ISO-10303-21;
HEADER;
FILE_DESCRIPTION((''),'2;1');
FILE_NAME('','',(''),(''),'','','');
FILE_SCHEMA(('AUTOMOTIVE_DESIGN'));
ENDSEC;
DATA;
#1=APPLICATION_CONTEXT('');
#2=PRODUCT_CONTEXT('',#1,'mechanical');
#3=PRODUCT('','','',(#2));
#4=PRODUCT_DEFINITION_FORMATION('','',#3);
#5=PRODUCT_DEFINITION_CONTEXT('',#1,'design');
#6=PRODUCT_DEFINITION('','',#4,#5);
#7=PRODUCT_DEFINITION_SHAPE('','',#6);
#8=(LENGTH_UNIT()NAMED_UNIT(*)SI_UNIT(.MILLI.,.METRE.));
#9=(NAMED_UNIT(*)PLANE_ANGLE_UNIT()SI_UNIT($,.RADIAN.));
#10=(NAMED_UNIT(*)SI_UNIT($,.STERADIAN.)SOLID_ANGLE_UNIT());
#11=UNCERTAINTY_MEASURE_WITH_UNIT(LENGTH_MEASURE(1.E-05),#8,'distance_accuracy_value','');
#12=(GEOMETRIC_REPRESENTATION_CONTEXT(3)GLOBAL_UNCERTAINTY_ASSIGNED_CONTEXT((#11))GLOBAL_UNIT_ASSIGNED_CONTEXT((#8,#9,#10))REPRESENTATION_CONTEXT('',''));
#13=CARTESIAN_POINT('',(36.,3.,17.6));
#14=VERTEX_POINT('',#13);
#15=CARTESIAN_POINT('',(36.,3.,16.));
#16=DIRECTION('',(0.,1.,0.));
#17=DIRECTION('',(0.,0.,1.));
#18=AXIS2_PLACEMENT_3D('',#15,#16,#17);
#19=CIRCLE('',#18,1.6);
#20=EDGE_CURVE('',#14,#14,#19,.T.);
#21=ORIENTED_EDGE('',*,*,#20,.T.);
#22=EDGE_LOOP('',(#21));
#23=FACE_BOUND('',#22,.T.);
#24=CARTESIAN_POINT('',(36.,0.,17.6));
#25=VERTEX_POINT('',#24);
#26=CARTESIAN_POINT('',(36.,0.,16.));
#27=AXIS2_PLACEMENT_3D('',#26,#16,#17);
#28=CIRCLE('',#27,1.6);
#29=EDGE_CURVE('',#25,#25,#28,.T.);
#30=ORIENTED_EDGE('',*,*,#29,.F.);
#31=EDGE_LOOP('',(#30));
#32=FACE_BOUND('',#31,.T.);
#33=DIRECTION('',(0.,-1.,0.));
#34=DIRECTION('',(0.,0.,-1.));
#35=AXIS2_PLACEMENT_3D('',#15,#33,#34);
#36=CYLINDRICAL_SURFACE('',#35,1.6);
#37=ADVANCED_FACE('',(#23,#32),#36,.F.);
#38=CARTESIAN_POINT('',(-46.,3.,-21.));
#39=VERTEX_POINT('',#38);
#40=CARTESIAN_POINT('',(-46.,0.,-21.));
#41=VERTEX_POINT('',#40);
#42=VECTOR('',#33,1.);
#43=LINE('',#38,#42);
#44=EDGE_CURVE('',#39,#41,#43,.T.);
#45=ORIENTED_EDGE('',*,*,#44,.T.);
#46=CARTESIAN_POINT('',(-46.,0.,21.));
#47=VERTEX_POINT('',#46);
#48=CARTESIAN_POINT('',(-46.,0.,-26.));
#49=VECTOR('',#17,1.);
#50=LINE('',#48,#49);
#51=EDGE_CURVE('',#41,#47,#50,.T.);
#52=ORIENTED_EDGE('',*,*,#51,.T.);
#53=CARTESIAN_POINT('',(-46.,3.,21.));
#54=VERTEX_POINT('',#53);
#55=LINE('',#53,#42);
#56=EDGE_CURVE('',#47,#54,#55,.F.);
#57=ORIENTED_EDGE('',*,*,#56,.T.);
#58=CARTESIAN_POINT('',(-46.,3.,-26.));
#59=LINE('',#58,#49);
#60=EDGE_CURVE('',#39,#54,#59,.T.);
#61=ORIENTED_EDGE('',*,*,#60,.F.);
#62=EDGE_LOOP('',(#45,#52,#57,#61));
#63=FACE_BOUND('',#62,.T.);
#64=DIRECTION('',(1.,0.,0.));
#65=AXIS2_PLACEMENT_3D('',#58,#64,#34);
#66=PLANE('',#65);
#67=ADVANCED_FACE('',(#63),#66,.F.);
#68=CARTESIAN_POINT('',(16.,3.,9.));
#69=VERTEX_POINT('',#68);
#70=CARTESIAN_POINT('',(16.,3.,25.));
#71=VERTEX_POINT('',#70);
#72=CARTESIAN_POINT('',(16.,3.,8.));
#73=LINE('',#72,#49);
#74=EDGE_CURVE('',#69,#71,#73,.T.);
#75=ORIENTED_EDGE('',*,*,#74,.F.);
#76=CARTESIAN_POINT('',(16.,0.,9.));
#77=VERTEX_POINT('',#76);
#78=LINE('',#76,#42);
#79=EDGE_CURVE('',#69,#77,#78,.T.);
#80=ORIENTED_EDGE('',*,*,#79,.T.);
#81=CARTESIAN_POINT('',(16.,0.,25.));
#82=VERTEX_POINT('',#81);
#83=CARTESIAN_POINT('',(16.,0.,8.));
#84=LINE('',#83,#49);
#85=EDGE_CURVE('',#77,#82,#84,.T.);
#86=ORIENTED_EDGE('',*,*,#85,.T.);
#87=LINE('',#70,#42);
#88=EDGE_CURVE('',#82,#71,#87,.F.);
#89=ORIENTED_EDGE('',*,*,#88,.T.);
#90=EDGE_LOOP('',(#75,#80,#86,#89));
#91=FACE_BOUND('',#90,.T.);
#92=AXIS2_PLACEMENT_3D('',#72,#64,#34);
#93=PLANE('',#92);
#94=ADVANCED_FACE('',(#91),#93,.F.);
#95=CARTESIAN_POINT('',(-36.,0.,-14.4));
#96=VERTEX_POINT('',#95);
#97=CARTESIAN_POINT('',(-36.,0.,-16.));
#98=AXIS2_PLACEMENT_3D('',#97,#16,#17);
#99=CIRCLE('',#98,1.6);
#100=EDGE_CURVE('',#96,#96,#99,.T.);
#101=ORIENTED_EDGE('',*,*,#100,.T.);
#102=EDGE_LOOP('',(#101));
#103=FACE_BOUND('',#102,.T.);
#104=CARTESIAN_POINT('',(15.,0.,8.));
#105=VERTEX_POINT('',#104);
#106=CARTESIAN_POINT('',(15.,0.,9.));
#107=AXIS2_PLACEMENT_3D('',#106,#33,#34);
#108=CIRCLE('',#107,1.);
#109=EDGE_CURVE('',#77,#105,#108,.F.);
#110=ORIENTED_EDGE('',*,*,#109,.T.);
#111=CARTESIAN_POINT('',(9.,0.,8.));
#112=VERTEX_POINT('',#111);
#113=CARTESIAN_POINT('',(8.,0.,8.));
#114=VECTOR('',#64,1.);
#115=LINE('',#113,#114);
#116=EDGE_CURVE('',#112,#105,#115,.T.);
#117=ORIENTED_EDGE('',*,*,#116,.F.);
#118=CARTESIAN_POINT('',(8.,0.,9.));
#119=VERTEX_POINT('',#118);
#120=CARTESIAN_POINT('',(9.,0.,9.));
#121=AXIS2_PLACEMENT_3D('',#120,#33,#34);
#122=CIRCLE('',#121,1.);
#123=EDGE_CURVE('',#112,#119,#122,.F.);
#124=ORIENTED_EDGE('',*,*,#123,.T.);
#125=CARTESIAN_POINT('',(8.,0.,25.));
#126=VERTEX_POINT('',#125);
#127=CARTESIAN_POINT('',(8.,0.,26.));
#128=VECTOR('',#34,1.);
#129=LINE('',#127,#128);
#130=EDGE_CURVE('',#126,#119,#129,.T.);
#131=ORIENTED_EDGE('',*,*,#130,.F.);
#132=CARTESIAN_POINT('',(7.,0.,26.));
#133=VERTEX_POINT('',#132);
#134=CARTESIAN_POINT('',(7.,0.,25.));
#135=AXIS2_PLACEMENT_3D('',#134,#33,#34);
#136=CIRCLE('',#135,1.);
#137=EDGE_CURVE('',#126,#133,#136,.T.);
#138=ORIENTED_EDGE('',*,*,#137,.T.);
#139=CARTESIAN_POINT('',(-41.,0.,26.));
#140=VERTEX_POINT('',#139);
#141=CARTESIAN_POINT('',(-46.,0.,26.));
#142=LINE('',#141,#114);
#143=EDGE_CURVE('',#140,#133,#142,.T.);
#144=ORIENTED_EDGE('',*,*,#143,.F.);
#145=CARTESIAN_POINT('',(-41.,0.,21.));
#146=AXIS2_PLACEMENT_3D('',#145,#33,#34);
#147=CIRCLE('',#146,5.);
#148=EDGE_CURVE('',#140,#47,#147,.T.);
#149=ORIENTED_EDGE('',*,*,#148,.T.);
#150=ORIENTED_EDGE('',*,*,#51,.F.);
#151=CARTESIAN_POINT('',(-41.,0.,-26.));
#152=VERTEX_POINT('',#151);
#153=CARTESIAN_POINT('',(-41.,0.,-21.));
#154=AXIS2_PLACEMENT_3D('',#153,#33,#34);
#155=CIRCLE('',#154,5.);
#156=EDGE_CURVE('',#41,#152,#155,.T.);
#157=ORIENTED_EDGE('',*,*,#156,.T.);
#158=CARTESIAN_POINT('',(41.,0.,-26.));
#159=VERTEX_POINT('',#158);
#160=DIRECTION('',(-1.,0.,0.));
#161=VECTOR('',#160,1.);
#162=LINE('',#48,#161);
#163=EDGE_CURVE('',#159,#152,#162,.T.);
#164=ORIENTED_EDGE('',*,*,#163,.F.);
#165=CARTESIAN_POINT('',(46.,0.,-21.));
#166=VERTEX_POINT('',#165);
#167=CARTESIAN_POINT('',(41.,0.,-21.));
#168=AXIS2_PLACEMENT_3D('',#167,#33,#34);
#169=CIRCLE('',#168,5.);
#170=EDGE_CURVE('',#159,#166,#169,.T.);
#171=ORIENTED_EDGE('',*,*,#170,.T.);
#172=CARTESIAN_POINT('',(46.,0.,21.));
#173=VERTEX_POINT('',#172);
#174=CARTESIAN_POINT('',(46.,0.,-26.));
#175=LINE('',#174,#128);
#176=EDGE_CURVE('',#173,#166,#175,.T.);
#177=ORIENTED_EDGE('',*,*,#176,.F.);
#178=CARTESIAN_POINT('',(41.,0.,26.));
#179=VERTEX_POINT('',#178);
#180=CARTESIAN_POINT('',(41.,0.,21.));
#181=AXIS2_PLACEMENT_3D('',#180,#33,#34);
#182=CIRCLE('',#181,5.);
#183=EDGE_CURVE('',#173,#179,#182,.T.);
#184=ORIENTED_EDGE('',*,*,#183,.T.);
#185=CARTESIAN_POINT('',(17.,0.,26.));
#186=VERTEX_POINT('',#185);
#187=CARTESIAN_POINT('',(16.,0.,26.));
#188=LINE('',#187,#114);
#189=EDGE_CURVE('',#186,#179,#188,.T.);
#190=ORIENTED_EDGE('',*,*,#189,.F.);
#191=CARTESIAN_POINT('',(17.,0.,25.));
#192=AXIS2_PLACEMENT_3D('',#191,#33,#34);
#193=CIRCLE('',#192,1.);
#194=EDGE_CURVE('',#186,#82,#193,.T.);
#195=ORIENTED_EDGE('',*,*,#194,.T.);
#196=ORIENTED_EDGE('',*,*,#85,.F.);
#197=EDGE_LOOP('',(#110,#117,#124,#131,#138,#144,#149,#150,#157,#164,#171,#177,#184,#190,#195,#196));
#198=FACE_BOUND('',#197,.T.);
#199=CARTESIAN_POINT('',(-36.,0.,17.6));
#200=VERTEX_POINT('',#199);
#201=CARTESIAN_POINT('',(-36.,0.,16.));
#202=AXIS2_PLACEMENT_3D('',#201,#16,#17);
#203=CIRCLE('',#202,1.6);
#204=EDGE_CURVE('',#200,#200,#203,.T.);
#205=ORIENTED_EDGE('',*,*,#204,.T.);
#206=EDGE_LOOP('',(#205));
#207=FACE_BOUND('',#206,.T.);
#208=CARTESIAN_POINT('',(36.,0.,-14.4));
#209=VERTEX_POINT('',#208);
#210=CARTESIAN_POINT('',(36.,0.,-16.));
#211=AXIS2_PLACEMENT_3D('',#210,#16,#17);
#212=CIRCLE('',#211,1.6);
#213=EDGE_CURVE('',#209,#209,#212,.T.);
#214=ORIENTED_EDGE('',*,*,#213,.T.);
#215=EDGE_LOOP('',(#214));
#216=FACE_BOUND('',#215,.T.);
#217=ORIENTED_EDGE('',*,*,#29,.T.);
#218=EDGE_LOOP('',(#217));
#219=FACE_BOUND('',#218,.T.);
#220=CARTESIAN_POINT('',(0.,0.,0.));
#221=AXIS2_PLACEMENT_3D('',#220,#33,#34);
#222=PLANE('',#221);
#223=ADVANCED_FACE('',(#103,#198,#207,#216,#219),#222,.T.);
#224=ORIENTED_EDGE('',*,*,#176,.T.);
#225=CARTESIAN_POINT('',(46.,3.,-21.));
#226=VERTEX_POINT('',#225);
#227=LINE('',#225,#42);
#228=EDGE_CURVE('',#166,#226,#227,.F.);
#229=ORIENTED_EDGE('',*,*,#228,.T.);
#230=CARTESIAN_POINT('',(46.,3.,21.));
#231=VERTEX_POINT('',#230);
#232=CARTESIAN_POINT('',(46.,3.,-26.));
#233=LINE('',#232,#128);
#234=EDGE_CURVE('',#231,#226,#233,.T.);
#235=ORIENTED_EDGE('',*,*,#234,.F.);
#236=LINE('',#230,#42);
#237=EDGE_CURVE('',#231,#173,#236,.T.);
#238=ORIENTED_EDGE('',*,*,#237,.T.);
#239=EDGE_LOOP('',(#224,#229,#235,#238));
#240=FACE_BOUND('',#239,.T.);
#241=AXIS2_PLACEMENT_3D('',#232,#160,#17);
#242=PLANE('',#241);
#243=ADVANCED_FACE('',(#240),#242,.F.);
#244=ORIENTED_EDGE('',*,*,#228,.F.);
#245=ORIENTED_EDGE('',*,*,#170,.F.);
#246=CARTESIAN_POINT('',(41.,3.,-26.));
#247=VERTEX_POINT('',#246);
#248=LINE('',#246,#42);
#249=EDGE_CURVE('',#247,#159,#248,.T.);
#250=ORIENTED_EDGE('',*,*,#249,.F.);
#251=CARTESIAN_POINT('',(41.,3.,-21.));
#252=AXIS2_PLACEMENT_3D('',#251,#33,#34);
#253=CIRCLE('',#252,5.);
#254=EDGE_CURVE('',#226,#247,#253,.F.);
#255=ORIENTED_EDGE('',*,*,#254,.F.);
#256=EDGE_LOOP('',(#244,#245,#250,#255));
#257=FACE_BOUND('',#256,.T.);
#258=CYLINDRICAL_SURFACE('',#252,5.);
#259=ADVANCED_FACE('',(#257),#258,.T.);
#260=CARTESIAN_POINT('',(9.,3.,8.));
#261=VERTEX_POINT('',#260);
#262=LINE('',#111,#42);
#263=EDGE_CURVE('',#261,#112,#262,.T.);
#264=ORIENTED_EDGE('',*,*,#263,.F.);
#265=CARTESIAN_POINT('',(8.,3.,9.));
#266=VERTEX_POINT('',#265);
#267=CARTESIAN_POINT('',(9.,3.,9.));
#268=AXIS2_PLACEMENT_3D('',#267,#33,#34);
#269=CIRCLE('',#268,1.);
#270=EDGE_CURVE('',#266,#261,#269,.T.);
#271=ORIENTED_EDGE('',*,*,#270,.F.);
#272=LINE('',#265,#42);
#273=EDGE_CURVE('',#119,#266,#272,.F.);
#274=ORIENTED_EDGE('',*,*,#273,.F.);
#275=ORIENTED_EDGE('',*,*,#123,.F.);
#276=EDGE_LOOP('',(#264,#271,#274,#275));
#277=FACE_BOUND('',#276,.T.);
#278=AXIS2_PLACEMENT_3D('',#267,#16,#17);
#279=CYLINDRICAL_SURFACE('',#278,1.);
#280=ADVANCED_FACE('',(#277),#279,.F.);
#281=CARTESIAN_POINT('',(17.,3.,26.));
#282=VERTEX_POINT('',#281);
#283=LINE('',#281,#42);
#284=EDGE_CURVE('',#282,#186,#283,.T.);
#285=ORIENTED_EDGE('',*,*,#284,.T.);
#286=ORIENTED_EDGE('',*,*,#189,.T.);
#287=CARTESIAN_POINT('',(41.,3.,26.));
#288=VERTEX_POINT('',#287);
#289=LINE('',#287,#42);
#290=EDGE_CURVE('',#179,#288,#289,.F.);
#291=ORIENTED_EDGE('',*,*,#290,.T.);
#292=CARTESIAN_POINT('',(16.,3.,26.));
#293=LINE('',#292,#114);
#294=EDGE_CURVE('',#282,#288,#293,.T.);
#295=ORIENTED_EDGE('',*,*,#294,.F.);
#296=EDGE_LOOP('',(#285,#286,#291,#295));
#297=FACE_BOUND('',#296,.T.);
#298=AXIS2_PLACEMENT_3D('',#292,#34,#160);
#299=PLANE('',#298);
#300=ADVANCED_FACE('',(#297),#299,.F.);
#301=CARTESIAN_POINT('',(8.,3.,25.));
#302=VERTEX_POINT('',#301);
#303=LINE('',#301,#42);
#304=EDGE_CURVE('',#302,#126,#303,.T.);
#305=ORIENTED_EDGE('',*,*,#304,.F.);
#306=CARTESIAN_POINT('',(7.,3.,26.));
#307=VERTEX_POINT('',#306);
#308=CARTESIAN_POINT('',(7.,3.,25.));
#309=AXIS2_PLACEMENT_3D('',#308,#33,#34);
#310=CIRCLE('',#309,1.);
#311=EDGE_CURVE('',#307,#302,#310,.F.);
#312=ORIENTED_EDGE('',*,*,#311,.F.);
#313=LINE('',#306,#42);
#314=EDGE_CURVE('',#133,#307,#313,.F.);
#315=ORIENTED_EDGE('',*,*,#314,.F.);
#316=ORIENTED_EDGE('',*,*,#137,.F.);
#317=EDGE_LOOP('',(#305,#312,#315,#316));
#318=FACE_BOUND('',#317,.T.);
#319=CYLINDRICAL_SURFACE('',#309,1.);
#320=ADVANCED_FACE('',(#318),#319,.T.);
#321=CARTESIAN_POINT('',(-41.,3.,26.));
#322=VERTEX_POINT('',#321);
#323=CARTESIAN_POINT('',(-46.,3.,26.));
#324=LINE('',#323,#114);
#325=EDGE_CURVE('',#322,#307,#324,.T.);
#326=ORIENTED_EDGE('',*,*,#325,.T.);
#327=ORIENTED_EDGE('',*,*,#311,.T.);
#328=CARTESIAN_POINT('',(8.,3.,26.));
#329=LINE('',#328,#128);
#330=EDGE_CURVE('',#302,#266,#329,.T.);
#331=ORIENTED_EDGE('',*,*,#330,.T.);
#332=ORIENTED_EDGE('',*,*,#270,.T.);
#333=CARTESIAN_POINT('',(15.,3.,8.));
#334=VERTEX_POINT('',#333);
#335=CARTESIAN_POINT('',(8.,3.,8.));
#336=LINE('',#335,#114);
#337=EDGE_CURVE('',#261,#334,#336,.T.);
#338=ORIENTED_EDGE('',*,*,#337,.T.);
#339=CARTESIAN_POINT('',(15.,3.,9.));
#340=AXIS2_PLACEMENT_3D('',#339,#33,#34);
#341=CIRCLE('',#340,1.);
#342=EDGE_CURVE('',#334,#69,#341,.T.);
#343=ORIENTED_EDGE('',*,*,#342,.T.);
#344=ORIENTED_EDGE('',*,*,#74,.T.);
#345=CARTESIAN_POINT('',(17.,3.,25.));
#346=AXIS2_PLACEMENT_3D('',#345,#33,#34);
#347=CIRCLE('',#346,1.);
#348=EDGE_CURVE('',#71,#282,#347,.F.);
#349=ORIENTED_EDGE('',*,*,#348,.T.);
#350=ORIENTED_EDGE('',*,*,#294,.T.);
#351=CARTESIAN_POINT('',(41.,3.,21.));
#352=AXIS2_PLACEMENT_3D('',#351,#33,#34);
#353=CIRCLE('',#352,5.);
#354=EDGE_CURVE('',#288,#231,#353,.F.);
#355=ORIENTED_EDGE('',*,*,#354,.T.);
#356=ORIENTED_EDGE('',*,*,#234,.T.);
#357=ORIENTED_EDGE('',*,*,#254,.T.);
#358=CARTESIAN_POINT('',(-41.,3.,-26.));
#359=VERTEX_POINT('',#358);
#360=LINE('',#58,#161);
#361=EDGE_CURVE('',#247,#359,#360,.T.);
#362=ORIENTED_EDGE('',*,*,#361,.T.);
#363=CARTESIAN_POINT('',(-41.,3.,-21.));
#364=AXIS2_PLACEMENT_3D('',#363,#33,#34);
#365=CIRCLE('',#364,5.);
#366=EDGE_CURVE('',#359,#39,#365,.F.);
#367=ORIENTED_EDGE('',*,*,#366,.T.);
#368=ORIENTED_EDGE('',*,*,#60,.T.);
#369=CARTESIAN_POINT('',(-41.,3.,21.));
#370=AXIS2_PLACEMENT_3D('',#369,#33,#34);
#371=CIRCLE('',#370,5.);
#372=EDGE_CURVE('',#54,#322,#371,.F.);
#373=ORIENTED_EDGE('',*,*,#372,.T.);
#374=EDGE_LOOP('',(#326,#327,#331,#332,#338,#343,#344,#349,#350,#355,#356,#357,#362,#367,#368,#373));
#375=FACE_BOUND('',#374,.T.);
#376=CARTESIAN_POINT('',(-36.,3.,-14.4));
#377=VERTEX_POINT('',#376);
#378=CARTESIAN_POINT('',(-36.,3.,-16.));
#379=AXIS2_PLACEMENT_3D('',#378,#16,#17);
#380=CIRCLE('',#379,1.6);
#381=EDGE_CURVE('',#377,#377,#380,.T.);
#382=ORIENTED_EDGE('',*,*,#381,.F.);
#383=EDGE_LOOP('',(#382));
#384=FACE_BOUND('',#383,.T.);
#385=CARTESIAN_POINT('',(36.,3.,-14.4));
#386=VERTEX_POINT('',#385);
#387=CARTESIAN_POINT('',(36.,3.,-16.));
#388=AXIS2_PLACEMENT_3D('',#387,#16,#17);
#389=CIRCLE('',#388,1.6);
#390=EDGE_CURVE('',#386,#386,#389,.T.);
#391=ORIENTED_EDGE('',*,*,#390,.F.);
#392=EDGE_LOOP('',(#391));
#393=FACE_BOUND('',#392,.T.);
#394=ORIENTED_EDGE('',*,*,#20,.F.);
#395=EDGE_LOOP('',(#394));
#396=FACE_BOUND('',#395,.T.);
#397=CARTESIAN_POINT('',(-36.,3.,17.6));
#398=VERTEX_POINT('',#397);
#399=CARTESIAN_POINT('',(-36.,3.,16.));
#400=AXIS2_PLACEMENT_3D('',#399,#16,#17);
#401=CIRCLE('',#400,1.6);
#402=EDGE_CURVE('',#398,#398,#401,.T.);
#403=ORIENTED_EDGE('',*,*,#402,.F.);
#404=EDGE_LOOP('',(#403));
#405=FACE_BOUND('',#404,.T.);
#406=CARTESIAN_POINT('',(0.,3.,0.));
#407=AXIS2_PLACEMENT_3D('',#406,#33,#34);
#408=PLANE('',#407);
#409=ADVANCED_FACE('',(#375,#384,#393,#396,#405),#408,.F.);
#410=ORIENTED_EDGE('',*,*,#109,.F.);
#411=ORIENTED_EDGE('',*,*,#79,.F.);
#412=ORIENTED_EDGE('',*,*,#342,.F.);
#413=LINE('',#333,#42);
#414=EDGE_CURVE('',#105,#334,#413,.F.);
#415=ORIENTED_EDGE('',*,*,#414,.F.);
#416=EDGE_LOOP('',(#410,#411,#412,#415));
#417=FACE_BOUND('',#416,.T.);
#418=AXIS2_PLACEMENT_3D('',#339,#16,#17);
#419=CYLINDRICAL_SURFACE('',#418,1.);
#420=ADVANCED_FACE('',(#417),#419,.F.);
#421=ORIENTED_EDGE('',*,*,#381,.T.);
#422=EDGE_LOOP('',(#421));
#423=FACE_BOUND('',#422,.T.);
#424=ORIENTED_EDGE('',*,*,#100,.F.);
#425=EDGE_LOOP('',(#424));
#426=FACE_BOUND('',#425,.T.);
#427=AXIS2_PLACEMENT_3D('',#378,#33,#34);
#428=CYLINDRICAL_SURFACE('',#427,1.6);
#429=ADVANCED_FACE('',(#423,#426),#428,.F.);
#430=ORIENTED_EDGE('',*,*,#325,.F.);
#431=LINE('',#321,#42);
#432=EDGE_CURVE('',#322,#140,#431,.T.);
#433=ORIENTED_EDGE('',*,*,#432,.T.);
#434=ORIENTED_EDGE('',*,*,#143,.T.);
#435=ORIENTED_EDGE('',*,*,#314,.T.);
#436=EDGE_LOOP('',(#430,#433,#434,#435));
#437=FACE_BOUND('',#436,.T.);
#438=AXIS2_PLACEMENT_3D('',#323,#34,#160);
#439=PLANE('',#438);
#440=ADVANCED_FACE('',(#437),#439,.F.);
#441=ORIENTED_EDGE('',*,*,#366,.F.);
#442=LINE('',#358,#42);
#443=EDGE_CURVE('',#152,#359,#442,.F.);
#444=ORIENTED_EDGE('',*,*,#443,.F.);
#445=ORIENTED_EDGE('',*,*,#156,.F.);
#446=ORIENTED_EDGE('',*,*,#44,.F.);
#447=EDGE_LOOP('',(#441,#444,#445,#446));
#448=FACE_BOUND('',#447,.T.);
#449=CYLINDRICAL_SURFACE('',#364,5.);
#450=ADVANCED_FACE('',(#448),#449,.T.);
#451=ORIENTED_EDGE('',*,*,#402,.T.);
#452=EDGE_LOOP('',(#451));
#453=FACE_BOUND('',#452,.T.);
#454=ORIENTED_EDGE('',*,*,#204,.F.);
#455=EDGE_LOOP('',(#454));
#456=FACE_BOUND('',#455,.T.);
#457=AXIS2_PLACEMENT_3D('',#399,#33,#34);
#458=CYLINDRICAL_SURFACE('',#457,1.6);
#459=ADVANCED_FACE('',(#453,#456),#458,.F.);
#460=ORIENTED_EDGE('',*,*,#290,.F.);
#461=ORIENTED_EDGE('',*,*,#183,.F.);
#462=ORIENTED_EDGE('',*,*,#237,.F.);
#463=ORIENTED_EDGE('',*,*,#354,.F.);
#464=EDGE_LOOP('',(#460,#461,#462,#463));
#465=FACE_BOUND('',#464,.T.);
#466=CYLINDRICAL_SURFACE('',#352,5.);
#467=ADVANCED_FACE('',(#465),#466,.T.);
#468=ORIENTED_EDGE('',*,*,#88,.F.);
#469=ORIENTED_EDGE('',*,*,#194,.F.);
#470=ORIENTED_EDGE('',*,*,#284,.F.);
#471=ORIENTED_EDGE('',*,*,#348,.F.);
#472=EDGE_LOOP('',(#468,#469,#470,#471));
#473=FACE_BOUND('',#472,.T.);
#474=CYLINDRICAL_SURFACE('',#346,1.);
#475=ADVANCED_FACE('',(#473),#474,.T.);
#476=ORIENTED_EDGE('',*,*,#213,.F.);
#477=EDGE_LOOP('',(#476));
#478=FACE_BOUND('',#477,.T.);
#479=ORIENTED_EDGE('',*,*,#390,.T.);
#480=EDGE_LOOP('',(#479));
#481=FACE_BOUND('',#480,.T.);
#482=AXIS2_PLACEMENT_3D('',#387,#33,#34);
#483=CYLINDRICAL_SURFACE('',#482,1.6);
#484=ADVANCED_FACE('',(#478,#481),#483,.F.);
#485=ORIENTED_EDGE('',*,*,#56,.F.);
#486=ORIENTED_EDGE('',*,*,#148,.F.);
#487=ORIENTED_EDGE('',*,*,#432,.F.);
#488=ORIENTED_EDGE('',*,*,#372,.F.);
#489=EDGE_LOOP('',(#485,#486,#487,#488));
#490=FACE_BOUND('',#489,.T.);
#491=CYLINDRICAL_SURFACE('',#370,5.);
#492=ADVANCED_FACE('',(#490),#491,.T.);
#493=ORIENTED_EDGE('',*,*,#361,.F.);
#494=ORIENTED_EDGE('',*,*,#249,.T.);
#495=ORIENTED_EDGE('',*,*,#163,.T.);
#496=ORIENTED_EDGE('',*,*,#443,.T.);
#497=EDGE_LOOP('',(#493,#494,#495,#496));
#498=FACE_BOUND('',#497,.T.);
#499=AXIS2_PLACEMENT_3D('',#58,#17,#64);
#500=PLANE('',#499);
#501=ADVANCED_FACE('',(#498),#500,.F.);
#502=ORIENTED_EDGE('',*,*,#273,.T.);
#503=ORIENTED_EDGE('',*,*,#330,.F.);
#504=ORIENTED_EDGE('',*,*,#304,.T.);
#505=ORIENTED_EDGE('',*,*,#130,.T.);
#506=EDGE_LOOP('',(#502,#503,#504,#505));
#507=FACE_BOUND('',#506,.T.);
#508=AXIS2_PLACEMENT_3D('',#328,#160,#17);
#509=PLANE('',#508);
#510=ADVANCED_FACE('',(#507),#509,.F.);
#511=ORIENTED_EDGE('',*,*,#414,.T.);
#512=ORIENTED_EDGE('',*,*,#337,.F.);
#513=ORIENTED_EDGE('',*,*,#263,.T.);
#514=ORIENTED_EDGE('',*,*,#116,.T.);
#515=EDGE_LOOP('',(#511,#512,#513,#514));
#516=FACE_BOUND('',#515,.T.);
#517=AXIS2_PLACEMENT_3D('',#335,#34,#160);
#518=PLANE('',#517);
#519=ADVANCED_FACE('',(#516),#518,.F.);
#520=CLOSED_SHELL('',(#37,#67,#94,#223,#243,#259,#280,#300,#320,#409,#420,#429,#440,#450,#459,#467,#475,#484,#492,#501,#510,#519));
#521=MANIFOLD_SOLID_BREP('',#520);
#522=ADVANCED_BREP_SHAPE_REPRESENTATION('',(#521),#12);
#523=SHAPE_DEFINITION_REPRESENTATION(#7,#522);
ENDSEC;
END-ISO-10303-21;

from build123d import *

# Parameters (mm, degrees)
SKETCH_1_R      = 1.6
EXTRUDE_1_DEPTH = 3
FILLET_1_R      = 5
FILLET_2_R      = 1


with BuildPart() as part:
    # 草图1 → 凸台-拉伸1 (new body)
    with BuildSketch(Plane(origin=(0, 0, 0), x_dir=(1, 0, 0), z_dir=(0, 1, 0))):
        Polygon((8, -26), (8, -8), (16, -8), (16, -26), (46, -26), (46, 26), (-46, 26), (-46, -26), align=None)
        with Locations(Location((-36, 16, 0), (0, 0, 270))):
            Circle(SKETCH_1_R, mode=Mode.SUBTRACT)
        with Locations(Location((-36, -16, 0), (0, 0, 270))):
            Circle(SKETCH_1_R, mode=Mode.SUBTRACT)
        with Locations(Location((36, -16, 0), (0, 0, 270))):
            Circle(SKETCH_1_R, mode=Mode.SUBTRACT)
        with Locations(Location((36, 16, 0), (0, 0, 270))):
            Circle(SKETCH_1_R, mode=Mode.SUBTRACT)
    extrude(amount=EXTRUDE_1_DEPTH)

    # 圆角1
    fillet_1_edges = [part.edges().sort_by_distance(p)[0] for p in [
        (-46, 1.5, 26),
        (-46, 1.5, -26),
        (46, 1.5, -26),
        (46, 1.5, 26),
    ]]
    fillet(fillet_1_edges, radius=FILLET_1_R)

    # 圆角2
    fillet_2_edges = [part.edges().sort_by_distance(p)[0] for p in [
        (16, 1.5, 26),
        (16, 1.5, 8),
        (8, 1.5, 8),
        (8, 1.5, 26),
    ]]
    fillet(fillet_2_edges, radius=FILLET_2_R)


solid = part.part
